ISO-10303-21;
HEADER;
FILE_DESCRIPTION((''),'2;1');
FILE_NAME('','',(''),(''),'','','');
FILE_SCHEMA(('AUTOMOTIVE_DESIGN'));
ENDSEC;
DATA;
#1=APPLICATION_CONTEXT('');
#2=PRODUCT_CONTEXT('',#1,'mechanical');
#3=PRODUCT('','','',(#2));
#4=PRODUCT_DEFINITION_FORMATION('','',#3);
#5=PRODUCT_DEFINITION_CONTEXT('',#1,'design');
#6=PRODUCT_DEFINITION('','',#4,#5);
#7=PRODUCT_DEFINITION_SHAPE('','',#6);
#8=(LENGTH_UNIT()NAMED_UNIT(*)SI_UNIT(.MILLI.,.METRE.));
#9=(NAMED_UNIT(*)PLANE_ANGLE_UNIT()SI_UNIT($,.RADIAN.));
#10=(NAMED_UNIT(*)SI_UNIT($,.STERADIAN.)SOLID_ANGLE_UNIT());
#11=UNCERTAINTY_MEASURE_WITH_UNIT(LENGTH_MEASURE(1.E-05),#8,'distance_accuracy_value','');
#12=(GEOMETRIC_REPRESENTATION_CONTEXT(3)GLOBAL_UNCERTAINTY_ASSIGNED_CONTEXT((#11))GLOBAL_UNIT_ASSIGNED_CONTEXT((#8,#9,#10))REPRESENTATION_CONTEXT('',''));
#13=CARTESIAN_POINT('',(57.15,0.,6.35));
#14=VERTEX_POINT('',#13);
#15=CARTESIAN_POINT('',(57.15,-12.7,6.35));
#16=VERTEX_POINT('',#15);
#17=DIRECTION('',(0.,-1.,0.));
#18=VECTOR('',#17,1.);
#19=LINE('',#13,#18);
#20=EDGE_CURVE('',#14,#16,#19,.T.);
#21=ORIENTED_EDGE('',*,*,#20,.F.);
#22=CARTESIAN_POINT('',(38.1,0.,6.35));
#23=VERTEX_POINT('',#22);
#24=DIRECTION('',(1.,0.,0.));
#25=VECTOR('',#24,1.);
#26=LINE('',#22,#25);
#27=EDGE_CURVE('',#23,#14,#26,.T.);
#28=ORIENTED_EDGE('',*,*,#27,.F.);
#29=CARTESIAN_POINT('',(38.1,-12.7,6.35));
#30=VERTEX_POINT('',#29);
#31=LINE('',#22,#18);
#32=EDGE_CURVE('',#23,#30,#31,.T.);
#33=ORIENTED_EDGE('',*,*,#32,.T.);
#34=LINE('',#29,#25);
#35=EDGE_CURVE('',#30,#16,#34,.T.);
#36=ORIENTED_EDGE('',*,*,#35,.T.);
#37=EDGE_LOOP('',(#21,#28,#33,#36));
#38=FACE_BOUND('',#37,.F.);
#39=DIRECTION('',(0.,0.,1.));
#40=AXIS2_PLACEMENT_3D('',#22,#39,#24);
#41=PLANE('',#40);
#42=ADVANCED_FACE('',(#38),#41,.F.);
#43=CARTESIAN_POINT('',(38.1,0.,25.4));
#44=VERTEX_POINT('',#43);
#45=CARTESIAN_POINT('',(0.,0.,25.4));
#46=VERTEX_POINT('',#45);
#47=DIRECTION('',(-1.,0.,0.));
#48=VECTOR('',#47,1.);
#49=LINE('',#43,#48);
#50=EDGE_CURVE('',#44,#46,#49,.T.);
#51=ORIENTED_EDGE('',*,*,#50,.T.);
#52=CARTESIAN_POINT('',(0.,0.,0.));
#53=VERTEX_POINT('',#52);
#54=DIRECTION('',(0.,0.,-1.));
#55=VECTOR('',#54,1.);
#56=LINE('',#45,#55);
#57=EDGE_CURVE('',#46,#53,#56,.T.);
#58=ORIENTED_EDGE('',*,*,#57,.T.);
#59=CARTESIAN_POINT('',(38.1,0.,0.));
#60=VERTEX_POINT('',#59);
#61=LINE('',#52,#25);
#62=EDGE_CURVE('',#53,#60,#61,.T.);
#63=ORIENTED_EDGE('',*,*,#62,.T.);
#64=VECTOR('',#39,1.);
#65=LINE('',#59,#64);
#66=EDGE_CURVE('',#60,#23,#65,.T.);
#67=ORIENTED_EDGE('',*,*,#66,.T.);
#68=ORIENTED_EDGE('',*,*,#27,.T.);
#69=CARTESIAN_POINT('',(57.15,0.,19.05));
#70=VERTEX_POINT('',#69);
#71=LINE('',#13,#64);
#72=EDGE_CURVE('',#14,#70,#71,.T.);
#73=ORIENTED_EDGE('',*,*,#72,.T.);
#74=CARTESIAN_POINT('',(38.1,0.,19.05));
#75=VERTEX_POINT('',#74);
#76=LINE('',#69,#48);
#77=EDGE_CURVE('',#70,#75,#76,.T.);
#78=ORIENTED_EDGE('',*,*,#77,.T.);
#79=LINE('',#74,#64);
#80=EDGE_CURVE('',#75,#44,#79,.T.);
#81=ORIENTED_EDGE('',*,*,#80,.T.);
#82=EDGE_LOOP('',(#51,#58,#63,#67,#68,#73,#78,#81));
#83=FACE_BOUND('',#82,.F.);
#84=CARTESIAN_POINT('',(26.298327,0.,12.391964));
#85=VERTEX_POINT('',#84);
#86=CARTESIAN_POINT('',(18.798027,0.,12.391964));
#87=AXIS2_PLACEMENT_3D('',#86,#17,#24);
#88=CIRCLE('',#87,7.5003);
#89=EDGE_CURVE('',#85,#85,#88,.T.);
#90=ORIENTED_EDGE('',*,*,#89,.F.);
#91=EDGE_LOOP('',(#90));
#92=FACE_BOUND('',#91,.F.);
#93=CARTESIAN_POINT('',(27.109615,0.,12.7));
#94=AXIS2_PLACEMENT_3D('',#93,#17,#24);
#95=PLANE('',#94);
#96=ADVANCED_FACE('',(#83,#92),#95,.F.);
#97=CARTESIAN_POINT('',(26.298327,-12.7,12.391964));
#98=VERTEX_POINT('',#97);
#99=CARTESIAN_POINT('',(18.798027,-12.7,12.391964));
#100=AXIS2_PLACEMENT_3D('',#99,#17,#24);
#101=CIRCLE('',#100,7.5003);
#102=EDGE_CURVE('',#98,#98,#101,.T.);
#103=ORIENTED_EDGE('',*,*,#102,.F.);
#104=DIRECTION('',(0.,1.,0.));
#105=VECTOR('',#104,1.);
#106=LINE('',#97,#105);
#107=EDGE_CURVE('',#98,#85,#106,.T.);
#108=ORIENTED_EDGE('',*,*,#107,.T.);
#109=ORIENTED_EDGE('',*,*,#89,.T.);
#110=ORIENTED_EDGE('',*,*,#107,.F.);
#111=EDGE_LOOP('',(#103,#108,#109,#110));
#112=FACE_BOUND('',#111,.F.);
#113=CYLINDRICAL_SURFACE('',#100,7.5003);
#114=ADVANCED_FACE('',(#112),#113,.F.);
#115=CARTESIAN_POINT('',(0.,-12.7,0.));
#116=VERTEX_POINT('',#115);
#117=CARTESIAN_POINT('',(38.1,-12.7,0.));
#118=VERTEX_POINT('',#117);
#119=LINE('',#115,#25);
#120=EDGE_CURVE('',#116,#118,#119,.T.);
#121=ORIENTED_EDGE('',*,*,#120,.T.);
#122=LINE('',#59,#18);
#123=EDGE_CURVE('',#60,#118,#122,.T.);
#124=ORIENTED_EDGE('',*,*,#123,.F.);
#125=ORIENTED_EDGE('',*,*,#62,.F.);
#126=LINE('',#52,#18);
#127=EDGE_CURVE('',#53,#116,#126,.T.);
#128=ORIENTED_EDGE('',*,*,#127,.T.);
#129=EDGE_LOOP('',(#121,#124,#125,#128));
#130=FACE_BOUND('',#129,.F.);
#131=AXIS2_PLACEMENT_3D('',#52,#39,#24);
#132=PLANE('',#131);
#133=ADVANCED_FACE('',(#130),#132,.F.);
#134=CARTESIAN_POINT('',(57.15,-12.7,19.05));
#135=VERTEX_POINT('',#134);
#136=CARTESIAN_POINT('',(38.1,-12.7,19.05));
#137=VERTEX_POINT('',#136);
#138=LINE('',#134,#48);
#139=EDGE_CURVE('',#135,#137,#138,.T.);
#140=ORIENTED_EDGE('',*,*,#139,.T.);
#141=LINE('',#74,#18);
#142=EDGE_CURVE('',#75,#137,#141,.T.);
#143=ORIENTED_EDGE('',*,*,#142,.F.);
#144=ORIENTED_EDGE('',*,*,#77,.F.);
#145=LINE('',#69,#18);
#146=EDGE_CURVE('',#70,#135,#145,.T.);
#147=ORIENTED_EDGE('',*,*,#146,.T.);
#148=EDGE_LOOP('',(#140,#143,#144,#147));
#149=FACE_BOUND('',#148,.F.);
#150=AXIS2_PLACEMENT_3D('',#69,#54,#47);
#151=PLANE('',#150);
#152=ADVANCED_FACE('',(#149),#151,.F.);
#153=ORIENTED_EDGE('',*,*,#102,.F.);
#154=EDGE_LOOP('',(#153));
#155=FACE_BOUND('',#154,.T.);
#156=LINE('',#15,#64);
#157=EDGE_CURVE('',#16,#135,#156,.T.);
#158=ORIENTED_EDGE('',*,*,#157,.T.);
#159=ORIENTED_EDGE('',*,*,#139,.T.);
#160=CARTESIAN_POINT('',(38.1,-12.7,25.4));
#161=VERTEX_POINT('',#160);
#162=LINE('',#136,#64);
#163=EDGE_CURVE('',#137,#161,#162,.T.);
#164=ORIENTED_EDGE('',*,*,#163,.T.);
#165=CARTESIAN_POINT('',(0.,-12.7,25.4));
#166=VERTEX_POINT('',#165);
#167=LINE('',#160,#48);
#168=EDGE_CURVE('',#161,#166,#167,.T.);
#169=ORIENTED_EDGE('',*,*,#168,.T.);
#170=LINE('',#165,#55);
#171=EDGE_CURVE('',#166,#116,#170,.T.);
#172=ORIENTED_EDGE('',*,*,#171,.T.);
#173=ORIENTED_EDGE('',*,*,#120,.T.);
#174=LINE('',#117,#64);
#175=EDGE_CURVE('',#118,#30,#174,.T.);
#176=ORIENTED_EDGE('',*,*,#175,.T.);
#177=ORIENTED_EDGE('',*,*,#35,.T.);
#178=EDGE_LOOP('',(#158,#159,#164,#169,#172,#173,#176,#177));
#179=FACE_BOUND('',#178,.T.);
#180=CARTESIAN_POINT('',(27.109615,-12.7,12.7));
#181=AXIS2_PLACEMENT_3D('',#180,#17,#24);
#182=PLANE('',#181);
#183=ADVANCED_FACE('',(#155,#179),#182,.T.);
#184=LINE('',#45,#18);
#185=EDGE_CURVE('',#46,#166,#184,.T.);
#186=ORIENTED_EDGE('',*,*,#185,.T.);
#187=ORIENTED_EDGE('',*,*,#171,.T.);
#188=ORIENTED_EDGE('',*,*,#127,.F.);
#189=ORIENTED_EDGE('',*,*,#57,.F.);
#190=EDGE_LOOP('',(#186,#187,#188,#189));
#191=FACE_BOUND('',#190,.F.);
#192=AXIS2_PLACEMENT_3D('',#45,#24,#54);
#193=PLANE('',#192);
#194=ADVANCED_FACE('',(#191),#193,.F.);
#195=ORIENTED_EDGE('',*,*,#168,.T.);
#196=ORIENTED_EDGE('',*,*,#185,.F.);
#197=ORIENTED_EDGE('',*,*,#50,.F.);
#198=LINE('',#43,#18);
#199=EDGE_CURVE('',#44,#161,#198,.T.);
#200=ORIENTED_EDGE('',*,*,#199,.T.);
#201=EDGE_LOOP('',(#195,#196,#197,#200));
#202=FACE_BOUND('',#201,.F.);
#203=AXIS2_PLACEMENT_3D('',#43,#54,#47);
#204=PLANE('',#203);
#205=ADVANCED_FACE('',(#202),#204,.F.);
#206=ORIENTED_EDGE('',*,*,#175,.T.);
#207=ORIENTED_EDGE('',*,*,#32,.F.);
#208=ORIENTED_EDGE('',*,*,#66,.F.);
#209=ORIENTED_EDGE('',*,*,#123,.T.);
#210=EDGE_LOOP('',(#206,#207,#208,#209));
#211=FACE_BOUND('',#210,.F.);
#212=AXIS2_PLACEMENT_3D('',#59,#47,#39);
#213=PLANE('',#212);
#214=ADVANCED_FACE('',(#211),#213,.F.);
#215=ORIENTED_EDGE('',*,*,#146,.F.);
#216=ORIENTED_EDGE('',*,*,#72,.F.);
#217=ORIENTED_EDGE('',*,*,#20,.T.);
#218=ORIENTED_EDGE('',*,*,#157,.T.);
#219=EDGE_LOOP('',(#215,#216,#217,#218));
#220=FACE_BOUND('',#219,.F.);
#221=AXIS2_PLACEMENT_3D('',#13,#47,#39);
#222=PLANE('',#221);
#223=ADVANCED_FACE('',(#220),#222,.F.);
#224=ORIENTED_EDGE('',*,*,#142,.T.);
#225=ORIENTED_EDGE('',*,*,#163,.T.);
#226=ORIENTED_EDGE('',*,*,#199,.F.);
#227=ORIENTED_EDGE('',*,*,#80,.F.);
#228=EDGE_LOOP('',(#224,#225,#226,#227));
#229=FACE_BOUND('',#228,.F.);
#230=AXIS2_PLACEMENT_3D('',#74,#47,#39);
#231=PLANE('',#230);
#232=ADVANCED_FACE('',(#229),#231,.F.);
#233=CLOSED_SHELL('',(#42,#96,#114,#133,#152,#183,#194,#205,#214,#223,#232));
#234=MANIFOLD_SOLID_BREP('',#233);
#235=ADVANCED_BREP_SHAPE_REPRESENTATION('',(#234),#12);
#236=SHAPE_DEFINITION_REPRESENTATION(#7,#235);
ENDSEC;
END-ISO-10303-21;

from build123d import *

# Parameters (mm, degrees)
F1_DEPTH = 12.7
F2_R     = 7.5003
F3_DEPTH = 25.4


with BuildPart() as f1:
    # F0 (on Front) → F1 (new body)
    with BuildSketch(Plane.XZ):
        Polygon((0, 25.4), (0, 0), (38.1, 0), (38.1, 6.35), (57.15, 6.35), (57.15, 19.05), (38.1, 19.05), (38.1, 25.4), align=None)
    extrude(amount=F1_DEPTH)

    # F2 (on face) → F3 (cut)
    with BuildSketch(Plane.XZ.offset(12.7)):
        with Locations((18.798027, 12.391964)):
            Circle(F2_R)
    extrude(amount=-F3_DEPTH, mode=Mode.SUBTRACT)


solid = f1.part
